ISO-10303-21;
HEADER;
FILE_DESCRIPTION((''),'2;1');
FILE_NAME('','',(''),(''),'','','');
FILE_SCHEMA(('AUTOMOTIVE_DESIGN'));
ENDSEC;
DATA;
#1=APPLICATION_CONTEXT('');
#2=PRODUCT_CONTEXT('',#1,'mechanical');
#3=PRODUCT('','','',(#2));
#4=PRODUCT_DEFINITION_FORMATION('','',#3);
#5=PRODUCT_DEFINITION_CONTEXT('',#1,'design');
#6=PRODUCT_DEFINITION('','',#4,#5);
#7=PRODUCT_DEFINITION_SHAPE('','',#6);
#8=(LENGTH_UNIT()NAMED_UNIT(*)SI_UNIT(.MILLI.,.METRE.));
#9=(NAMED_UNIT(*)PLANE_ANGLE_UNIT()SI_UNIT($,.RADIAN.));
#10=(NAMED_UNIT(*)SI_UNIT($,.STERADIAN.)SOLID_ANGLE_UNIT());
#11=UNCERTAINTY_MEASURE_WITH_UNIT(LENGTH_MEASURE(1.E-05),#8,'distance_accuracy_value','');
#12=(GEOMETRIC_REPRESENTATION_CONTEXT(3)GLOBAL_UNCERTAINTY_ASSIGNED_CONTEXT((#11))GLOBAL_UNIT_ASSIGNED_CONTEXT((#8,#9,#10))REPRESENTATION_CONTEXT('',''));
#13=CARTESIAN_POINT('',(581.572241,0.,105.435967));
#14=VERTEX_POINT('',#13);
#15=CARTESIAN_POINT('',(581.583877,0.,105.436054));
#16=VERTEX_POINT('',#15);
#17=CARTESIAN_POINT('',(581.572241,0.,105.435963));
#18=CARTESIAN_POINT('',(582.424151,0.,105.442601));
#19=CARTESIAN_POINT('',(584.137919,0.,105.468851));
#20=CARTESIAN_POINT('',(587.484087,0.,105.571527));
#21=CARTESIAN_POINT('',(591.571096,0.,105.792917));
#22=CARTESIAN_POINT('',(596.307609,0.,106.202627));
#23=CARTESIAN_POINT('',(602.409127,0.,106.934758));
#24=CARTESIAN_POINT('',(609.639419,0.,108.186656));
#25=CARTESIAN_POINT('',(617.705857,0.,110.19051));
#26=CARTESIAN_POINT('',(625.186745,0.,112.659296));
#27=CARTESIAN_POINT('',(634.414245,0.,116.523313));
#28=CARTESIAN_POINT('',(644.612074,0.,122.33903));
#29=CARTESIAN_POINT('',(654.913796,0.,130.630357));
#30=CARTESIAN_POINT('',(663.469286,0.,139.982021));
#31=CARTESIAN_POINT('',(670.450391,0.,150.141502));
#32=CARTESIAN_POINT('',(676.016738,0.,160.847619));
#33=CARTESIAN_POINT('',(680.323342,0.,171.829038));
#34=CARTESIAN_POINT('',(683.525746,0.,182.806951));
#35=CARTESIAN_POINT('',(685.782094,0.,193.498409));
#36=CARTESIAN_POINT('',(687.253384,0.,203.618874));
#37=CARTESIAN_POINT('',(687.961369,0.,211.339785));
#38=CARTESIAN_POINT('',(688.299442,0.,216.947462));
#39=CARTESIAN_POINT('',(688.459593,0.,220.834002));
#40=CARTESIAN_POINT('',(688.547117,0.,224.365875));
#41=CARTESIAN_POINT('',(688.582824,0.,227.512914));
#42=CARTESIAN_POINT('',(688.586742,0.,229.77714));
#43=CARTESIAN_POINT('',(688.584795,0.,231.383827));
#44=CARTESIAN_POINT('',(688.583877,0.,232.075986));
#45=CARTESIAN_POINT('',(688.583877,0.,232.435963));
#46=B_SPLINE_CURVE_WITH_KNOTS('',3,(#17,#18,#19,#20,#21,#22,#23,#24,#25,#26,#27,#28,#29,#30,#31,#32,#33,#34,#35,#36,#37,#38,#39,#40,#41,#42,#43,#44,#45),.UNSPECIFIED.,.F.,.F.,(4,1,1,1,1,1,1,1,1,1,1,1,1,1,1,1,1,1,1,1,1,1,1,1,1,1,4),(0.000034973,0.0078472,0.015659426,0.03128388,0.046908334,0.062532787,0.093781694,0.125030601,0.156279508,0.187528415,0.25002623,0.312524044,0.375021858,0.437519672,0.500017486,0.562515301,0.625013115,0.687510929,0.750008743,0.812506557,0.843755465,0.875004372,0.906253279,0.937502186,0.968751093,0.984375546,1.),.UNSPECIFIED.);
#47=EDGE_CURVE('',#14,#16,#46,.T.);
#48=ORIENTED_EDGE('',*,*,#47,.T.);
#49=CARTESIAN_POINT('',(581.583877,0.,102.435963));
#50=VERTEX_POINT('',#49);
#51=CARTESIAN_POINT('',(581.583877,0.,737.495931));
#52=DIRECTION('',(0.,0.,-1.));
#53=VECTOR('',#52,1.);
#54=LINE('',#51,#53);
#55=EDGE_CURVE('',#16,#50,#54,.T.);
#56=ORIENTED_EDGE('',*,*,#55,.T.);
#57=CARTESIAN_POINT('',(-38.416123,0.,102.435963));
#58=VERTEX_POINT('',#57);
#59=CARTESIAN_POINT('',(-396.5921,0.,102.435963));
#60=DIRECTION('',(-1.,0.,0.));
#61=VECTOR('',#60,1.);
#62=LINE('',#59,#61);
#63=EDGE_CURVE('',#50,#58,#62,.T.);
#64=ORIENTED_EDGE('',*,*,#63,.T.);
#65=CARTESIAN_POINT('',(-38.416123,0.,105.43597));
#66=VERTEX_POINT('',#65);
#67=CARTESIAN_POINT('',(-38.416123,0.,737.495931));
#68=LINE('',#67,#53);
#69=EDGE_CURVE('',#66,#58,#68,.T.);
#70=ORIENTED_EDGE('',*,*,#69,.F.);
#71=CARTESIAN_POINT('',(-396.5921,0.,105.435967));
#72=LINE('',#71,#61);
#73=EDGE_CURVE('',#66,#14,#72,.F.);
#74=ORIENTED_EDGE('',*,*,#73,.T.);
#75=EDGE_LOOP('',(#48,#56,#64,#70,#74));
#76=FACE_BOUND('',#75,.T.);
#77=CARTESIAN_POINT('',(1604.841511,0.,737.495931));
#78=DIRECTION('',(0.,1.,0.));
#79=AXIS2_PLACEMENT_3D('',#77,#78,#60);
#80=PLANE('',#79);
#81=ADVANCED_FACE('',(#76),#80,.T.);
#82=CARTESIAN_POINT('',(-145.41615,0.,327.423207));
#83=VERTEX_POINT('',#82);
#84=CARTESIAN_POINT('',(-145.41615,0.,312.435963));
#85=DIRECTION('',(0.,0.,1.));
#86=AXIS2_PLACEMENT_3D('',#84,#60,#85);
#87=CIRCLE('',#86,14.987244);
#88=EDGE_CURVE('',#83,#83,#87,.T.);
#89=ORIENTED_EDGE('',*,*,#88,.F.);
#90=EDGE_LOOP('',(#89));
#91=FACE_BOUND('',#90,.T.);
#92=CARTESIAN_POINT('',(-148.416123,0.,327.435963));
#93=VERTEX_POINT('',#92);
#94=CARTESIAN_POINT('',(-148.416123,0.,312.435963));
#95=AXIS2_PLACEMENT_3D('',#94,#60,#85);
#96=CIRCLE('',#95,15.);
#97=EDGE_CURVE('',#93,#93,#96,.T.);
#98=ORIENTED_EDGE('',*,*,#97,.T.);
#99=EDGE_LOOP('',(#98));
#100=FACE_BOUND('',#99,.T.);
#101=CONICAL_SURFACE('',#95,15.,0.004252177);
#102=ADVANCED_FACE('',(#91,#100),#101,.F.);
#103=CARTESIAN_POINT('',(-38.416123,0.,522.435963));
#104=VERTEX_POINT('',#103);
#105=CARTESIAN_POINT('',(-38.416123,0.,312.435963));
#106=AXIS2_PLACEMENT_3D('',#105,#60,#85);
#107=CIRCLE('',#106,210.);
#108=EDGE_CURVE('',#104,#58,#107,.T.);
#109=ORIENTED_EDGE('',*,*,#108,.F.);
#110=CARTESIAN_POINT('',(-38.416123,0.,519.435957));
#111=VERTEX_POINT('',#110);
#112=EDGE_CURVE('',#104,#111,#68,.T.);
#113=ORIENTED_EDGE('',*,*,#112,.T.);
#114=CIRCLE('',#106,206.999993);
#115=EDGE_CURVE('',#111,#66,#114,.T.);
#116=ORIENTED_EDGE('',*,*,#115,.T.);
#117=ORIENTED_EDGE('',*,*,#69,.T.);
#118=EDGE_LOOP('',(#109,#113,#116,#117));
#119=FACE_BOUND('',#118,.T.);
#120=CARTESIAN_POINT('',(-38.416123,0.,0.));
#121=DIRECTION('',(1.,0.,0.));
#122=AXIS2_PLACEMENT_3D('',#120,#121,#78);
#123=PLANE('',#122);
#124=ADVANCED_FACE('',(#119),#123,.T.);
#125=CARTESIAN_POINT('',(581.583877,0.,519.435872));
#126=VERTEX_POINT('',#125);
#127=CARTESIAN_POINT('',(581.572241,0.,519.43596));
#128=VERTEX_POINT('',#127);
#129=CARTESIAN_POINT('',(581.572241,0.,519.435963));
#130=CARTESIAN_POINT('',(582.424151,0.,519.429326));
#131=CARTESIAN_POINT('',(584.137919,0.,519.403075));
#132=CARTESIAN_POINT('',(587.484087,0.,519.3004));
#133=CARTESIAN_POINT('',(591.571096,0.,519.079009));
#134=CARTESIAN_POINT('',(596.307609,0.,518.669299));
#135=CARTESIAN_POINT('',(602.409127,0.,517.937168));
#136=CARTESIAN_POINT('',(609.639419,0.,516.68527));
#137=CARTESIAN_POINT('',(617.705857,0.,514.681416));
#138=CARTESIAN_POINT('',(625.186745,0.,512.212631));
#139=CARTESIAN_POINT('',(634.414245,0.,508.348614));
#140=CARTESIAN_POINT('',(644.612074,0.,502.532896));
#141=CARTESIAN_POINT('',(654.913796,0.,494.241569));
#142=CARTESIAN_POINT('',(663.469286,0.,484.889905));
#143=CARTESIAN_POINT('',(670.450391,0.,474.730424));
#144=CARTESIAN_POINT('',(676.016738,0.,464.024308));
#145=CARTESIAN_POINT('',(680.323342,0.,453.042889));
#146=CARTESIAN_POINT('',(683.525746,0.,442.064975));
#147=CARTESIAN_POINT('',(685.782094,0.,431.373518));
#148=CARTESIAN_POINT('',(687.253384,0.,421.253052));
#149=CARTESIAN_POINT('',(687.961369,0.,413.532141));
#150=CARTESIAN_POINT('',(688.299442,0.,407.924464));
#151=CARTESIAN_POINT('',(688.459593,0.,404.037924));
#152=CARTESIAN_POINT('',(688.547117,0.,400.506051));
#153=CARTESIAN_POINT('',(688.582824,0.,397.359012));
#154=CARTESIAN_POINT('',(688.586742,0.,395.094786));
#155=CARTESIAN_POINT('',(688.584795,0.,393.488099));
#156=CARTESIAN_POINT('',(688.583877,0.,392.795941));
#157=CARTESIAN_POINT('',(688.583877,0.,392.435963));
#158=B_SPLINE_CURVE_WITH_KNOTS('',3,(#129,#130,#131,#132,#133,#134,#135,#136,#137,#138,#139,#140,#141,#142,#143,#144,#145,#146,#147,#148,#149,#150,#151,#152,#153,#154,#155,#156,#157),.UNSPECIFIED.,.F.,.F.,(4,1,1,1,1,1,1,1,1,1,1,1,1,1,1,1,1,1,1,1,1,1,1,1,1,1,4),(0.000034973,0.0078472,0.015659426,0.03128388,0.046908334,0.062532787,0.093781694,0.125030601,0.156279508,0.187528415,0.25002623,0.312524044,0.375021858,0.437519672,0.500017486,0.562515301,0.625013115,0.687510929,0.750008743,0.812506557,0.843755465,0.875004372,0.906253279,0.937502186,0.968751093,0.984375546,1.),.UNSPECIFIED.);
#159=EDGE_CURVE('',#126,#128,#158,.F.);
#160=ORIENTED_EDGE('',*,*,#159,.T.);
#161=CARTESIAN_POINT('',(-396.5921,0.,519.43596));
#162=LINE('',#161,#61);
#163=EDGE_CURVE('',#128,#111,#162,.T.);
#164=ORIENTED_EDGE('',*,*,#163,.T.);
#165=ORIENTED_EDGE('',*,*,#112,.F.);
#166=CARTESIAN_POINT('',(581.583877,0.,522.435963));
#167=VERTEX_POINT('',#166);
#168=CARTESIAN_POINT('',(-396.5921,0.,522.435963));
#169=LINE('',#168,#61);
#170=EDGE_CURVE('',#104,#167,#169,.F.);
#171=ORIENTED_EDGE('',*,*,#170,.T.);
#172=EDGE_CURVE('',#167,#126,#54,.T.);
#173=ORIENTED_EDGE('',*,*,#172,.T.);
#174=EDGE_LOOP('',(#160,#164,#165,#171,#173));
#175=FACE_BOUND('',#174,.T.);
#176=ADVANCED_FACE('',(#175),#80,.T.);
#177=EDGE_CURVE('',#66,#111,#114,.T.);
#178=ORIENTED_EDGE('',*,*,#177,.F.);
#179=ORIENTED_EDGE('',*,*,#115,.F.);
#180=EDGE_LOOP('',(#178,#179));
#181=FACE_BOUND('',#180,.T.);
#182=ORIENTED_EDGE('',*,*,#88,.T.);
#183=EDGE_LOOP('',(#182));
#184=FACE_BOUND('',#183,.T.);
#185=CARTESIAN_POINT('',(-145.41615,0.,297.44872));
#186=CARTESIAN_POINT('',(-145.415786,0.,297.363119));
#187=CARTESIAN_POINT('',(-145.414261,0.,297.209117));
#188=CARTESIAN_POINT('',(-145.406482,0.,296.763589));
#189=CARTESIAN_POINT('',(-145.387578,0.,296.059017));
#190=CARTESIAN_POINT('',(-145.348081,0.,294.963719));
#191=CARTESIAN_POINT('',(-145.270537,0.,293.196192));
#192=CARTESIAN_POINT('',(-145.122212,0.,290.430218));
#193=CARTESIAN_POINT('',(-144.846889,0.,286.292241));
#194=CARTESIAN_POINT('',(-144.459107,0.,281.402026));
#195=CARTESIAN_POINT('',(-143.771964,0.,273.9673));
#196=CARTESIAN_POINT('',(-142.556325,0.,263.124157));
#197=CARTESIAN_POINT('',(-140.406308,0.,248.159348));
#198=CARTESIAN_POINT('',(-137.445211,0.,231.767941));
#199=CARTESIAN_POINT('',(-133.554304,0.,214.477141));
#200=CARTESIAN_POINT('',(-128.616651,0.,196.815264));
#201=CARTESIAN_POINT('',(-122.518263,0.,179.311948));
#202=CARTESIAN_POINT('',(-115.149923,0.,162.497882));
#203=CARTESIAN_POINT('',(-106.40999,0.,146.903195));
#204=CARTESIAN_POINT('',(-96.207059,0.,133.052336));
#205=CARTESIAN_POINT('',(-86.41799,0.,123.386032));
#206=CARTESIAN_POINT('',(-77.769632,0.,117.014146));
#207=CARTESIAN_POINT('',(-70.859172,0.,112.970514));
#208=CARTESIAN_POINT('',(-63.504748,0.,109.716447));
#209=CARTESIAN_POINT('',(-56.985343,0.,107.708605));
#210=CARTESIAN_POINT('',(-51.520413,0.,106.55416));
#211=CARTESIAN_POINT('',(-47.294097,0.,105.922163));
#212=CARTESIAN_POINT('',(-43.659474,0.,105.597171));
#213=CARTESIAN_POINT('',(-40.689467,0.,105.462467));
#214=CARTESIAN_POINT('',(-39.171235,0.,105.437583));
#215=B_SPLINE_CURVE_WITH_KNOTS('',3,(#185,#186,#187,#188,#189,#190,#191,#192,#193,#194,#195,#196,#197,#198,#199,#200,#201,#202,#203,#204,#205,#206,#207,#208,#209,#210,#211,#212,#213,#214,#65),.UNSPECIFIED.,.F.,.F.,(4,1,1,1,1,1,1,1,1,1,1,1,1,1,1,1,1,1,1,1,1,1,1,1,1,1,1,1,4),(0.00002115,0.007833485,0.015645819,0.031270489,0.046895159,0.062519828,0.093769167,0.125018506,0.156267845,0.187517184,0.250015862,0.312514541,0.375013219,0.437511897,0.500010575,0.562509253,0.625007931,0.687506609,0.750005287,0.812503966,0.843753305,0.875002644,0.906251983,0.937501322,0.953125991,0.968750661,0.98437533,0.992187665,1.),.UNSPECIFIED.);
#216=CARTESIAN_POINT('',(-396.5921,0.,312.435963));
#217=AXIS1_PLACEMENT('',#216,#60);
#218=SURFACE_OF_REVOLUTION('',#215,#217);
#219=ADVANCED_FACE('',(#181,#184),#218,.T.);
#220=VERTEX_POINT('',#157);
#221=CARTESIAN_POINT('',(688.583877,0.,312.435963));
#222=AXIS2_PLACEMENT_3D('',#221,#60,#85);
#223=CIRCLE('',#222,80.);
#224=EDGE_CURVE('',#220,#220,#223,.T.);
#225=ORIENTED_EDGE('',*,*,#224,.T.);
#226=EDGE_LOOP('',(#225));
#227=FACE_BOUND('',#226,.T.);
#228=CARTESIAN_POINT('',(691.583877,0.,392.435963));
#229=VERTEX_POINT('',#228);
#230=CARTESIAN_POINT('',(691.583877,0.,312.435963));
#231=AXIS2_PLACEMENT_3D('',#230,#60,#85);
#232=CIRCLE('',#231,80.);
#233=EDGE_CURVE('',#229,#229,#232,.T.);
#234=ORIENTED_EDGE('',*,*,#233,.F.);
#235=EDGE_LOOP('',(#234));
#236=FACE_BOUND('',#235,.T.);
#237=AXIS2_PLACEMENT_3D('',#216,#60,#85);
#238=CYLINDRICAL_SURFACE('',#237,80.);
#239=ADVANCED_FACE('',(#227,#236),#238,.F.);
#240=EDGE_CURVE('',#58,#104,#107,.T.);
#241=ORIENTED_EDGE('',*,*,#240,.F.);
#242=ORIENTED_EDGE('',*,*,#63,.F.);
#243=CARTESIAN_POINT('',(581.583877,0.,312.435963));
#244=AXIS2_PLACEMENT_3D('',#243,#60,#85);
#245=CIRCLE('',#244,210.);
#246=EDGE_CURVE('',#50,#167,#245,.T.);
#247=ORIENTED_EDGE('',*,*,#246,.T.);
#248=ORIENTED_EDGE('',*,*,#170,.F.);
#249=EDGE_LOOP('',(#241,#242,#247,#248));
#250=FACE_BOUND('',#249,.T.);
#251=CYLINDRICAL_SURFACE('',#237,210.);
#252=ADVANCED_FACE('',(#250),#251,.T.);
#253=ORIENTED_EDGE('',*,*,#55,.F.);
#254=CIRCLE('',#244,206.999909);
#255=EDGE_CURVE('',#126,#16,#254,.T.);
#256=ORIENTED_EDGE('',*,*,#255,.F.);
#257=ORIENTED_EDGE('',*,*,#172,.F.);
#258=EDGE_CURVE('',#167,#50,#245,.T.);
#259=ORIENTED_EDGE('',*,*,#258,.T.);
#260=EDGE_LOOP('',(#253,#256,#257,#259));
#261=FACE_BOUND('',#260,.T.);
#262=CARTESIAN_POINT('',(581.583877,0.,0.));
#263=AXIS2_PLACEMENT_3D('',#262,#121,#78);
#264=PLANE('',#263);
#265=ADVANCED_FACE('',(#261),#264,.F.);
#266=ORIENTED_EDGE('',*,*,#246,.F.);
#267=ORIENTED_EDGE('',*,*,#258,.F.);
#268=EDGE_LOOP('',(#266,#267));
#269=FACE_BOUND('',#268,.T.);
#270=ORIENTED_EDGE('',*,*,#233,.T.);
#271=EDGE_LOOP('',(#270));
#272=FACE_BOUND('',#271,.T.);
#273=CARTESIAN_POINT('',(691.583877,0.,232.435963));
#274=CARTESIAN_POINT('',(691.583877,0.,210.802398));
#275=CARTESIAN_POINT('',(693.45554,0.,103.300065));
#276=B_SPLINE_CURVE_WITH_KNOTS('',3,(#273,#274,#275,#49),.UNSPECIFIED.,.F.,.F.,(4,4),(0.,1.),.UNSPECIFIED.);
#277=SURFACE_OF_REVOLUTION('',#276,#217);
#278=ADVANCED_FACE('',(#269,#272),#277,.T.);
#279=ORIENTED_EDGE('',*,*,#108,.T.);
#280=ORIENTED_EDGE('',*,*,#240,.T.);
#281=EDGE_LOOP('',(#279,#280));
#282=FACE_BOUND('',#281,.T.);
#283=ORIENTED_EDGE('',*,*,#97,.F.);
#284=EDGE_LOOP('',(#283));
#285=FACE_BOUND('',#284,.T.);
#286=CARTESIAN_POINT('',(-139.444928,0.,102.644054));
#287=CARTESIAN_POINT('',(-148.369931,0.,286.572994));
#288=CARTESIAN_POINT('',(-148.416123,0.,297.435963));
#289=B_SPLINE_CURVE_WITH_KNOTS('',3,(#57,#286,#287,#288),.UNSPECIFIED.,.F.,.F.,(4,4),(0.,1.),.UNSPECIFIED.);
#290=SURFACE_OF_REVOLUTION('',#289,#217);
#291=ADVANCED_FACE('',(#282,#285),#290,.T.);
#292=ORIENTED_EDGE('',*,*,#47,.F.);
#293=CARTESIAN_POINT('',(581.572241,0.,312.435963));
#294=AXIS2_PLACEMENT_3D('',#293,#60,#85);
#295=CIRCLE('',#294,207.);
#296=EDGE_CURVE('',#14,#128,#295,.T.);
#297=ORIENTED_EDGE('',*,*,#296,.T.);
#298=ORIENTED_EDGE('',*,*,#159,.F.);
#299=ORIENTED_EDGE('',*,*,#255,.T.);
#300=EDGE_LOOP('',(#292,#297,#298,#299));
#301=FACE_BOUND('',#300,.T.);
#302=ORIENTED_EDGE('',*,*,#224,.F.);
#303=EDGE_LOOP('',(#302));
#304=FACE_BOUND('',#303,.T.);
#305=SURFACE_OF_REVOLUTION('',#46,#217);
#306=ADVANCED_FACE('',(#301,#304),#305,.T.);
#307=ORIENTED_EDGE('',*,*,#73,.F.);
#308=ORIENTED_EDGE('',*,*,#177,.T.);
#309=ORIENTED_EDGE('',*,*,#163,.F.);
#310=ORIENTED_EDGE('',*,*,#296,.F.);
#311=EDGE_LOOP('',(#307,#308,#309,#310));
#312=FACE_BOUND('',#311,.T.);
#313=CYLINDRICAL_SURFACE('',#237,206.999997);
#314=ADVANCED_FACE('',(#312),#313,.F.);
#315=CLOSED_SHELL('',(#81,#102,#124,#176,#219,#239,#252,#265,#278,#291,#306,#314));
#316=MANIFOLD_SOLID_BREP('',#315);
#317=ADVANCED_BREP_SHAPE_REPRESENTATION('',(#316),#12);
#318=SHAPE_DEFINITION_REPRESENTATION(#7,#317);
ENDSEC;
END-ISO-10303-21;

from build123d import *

# Parameters (mm, degrees)
SKETCH4_W          = 958.607886296
SKETCH4_H          = 357.948466727
CUT_EXTRUDE2_DEPTH = 620


with BuildPart() as part:
    # Sketch1 → Revolve1 (revolve)
    with BuildSketch(Plane(origin=(0, 0, 0), x_dir=(1, 0, 0), z_dir=(0, 1, 0))):
        with BuildLine():
            Line((-38.416122965, -102.435963202), (581.583877035, -102.435963202))
            add(Edge.make_bspline(
                [(581.583877035, -102.435963202), (693.455539681, -103.300064727), (691.583877035, -210.80239754), (691.583877035, -232.435963192)],
                knots=[0, 0, 0, 0, 1, 1, 1, 1], degree=3))
            Line((691.583877035, -232.435963192), (688.583877035, -232.435963192))
            add(Edge.make_bspline(
                [(581.572240946, -105.435963202), (582.424150652, -105.442600659), (584.137918536, -105.468851395), (587.484086921, -105.571526796), (591.571096113, -105.792916991), (596.307608869, -106.20262694), (602.409126826, -106.934758126), (609.639419087, -108.18665603), (617.705857071, -110.190510236), (625.186745256, -112.659295822), (634.414245375, -116.523312816), (644.612073728, -122.339029978), (654.913796392, -130.630357057), (663.469285855, -139.982021209), (670.450391217, -150.141502012), (676.016737994, -160.847618745), (680.323342136, -171.829037867), (683.525745861, -182.806951112), (685.782094183, -193.498408861), (687.253383878, -203.618874424), (687.961369137, -211.339785332), (688.299442483, -216.947462036), (688.459593049, -220.834002423), (688.547117141, -224.365875375), (688.582824389, -227.512914091), (688.58674237, -229.777140481), (688.584795317, -231.383827189), (688.583877035, -232.075985649), (688.583877035, -232.435963192)],
                knots=[3.4973e-05, 3.4973e-05, 3.4973e-05, 3.4973e-05, 0.0078472, 0.015659426, 0.03128388, 0.046908334, 0.062532787, 0.093781694, 0.125030601, 0.156279508, 0.187528415, 0.25002623, 0.312524044, 0.375021858, 0.437519672, 0.500017486, 0.562515301, 0.625013115, 0.687510929, 0.750008743, 0.812506557, 0.843755465, 0.875004372, 0.906253279, 0.937502186, 0.968751093, 0.984375546, 1, 1, 1, 1], degree=3))
            Line((581.572240946, -105.435963202), (-38.416122951, -105.435969803))
            add(Edge.make_bspline(
                [(-145.416150087, -297.448719694), (-145.415786094, -297.363118797), (-145.414261278, -297.209117302), (-145.406482156, -296.763589127), (-145.387577621, -296.059017238), (-145.348080967, -294.963719442), (-145.270536885, -293.196191663), (-145.12221169, -290.430217628), (-144.846888777, -286.292241124), (-144.459106758, -281.402026013), (-143.771963774, -273.967299792), (-142.556325425, -263.124157442), (-140.406308296, -248.159348272), (-137.445210779, -231.767940973), (-133.55430361, -214.477141353), (-128.616651259, -196.81526366), (-122.518262583, -179.311948455), (-115.149922932, -162.497881736), (-106.409989847, -146.903194531), (-96.207058742, -133.05233616), (-86.417989624, -123.386032183), (-77.769632288, -117.014146282), (-70.859172034, -112.970513688), (-63.504748075, -109.716446776), (-56.985343251, -107.708604585), (-51.52041341, -106.554160283), (-47.294097057, -105.922162765), (-43.659473987, -105.597170774), (-40.689467236, -105.462466746), (-39.171234927, -105.437583269), (-38.416122951, -105.435969803)],
                knots=[2.115e-05, 2.115e-05, 2.115e-05, 2.115e-05, 0.007833485, 0.015645819, 0.031270489, 0.046895159, 0.062519828, 0.093769167, 0.125018506, 0.156267845, 0.187517184, 0.250015862, 0.312514541, 0.375013219, 0.437511897, 0.500010575, 0.562509253, 0.625007931, 0.687506609, 0.750005287, 0.812503966, 0.843753305, 0.875002644, 0.906251983, 0.937501322, 0.953125991, 0.968750661, 0.98437533, 0.992187665, 1, 1, 1, 1], degree=3))
            Line((-145.416150087, -297.448719694), (-148.416122965, -297.435963202))
            add(Edge.make_bspline(
                [(-38.416122965, -102.435963202), (-139.444928363, -102.64405425), (-148.369931417, -286.57299354), (-148.416122965, -297.435963202)],
                knots=[0, 0, 0, 0, 1, 1, 1, 1], degree=3))
        make_face()
    revolve(axis=Axis((-396.592099756, 0, 312.435963202), (1, 0, 0)))

    # Sketch4 → Cut-Extrude2 (cut)
    with BuildSketch(Plane(origin=(-38.416122965, 0, 0), x_dir=(0, 0, -1), z_dir=(1, 0, 0))):
        with Locations((-258.191988159, 178.974233364)):
            Rectangle(SKETCH4_W, SKETCH4_H)
    extrude(amount=CUT_EXTRUDE2_DEPTH, mode=Mode.SUBTRACT)


solid = part.part
